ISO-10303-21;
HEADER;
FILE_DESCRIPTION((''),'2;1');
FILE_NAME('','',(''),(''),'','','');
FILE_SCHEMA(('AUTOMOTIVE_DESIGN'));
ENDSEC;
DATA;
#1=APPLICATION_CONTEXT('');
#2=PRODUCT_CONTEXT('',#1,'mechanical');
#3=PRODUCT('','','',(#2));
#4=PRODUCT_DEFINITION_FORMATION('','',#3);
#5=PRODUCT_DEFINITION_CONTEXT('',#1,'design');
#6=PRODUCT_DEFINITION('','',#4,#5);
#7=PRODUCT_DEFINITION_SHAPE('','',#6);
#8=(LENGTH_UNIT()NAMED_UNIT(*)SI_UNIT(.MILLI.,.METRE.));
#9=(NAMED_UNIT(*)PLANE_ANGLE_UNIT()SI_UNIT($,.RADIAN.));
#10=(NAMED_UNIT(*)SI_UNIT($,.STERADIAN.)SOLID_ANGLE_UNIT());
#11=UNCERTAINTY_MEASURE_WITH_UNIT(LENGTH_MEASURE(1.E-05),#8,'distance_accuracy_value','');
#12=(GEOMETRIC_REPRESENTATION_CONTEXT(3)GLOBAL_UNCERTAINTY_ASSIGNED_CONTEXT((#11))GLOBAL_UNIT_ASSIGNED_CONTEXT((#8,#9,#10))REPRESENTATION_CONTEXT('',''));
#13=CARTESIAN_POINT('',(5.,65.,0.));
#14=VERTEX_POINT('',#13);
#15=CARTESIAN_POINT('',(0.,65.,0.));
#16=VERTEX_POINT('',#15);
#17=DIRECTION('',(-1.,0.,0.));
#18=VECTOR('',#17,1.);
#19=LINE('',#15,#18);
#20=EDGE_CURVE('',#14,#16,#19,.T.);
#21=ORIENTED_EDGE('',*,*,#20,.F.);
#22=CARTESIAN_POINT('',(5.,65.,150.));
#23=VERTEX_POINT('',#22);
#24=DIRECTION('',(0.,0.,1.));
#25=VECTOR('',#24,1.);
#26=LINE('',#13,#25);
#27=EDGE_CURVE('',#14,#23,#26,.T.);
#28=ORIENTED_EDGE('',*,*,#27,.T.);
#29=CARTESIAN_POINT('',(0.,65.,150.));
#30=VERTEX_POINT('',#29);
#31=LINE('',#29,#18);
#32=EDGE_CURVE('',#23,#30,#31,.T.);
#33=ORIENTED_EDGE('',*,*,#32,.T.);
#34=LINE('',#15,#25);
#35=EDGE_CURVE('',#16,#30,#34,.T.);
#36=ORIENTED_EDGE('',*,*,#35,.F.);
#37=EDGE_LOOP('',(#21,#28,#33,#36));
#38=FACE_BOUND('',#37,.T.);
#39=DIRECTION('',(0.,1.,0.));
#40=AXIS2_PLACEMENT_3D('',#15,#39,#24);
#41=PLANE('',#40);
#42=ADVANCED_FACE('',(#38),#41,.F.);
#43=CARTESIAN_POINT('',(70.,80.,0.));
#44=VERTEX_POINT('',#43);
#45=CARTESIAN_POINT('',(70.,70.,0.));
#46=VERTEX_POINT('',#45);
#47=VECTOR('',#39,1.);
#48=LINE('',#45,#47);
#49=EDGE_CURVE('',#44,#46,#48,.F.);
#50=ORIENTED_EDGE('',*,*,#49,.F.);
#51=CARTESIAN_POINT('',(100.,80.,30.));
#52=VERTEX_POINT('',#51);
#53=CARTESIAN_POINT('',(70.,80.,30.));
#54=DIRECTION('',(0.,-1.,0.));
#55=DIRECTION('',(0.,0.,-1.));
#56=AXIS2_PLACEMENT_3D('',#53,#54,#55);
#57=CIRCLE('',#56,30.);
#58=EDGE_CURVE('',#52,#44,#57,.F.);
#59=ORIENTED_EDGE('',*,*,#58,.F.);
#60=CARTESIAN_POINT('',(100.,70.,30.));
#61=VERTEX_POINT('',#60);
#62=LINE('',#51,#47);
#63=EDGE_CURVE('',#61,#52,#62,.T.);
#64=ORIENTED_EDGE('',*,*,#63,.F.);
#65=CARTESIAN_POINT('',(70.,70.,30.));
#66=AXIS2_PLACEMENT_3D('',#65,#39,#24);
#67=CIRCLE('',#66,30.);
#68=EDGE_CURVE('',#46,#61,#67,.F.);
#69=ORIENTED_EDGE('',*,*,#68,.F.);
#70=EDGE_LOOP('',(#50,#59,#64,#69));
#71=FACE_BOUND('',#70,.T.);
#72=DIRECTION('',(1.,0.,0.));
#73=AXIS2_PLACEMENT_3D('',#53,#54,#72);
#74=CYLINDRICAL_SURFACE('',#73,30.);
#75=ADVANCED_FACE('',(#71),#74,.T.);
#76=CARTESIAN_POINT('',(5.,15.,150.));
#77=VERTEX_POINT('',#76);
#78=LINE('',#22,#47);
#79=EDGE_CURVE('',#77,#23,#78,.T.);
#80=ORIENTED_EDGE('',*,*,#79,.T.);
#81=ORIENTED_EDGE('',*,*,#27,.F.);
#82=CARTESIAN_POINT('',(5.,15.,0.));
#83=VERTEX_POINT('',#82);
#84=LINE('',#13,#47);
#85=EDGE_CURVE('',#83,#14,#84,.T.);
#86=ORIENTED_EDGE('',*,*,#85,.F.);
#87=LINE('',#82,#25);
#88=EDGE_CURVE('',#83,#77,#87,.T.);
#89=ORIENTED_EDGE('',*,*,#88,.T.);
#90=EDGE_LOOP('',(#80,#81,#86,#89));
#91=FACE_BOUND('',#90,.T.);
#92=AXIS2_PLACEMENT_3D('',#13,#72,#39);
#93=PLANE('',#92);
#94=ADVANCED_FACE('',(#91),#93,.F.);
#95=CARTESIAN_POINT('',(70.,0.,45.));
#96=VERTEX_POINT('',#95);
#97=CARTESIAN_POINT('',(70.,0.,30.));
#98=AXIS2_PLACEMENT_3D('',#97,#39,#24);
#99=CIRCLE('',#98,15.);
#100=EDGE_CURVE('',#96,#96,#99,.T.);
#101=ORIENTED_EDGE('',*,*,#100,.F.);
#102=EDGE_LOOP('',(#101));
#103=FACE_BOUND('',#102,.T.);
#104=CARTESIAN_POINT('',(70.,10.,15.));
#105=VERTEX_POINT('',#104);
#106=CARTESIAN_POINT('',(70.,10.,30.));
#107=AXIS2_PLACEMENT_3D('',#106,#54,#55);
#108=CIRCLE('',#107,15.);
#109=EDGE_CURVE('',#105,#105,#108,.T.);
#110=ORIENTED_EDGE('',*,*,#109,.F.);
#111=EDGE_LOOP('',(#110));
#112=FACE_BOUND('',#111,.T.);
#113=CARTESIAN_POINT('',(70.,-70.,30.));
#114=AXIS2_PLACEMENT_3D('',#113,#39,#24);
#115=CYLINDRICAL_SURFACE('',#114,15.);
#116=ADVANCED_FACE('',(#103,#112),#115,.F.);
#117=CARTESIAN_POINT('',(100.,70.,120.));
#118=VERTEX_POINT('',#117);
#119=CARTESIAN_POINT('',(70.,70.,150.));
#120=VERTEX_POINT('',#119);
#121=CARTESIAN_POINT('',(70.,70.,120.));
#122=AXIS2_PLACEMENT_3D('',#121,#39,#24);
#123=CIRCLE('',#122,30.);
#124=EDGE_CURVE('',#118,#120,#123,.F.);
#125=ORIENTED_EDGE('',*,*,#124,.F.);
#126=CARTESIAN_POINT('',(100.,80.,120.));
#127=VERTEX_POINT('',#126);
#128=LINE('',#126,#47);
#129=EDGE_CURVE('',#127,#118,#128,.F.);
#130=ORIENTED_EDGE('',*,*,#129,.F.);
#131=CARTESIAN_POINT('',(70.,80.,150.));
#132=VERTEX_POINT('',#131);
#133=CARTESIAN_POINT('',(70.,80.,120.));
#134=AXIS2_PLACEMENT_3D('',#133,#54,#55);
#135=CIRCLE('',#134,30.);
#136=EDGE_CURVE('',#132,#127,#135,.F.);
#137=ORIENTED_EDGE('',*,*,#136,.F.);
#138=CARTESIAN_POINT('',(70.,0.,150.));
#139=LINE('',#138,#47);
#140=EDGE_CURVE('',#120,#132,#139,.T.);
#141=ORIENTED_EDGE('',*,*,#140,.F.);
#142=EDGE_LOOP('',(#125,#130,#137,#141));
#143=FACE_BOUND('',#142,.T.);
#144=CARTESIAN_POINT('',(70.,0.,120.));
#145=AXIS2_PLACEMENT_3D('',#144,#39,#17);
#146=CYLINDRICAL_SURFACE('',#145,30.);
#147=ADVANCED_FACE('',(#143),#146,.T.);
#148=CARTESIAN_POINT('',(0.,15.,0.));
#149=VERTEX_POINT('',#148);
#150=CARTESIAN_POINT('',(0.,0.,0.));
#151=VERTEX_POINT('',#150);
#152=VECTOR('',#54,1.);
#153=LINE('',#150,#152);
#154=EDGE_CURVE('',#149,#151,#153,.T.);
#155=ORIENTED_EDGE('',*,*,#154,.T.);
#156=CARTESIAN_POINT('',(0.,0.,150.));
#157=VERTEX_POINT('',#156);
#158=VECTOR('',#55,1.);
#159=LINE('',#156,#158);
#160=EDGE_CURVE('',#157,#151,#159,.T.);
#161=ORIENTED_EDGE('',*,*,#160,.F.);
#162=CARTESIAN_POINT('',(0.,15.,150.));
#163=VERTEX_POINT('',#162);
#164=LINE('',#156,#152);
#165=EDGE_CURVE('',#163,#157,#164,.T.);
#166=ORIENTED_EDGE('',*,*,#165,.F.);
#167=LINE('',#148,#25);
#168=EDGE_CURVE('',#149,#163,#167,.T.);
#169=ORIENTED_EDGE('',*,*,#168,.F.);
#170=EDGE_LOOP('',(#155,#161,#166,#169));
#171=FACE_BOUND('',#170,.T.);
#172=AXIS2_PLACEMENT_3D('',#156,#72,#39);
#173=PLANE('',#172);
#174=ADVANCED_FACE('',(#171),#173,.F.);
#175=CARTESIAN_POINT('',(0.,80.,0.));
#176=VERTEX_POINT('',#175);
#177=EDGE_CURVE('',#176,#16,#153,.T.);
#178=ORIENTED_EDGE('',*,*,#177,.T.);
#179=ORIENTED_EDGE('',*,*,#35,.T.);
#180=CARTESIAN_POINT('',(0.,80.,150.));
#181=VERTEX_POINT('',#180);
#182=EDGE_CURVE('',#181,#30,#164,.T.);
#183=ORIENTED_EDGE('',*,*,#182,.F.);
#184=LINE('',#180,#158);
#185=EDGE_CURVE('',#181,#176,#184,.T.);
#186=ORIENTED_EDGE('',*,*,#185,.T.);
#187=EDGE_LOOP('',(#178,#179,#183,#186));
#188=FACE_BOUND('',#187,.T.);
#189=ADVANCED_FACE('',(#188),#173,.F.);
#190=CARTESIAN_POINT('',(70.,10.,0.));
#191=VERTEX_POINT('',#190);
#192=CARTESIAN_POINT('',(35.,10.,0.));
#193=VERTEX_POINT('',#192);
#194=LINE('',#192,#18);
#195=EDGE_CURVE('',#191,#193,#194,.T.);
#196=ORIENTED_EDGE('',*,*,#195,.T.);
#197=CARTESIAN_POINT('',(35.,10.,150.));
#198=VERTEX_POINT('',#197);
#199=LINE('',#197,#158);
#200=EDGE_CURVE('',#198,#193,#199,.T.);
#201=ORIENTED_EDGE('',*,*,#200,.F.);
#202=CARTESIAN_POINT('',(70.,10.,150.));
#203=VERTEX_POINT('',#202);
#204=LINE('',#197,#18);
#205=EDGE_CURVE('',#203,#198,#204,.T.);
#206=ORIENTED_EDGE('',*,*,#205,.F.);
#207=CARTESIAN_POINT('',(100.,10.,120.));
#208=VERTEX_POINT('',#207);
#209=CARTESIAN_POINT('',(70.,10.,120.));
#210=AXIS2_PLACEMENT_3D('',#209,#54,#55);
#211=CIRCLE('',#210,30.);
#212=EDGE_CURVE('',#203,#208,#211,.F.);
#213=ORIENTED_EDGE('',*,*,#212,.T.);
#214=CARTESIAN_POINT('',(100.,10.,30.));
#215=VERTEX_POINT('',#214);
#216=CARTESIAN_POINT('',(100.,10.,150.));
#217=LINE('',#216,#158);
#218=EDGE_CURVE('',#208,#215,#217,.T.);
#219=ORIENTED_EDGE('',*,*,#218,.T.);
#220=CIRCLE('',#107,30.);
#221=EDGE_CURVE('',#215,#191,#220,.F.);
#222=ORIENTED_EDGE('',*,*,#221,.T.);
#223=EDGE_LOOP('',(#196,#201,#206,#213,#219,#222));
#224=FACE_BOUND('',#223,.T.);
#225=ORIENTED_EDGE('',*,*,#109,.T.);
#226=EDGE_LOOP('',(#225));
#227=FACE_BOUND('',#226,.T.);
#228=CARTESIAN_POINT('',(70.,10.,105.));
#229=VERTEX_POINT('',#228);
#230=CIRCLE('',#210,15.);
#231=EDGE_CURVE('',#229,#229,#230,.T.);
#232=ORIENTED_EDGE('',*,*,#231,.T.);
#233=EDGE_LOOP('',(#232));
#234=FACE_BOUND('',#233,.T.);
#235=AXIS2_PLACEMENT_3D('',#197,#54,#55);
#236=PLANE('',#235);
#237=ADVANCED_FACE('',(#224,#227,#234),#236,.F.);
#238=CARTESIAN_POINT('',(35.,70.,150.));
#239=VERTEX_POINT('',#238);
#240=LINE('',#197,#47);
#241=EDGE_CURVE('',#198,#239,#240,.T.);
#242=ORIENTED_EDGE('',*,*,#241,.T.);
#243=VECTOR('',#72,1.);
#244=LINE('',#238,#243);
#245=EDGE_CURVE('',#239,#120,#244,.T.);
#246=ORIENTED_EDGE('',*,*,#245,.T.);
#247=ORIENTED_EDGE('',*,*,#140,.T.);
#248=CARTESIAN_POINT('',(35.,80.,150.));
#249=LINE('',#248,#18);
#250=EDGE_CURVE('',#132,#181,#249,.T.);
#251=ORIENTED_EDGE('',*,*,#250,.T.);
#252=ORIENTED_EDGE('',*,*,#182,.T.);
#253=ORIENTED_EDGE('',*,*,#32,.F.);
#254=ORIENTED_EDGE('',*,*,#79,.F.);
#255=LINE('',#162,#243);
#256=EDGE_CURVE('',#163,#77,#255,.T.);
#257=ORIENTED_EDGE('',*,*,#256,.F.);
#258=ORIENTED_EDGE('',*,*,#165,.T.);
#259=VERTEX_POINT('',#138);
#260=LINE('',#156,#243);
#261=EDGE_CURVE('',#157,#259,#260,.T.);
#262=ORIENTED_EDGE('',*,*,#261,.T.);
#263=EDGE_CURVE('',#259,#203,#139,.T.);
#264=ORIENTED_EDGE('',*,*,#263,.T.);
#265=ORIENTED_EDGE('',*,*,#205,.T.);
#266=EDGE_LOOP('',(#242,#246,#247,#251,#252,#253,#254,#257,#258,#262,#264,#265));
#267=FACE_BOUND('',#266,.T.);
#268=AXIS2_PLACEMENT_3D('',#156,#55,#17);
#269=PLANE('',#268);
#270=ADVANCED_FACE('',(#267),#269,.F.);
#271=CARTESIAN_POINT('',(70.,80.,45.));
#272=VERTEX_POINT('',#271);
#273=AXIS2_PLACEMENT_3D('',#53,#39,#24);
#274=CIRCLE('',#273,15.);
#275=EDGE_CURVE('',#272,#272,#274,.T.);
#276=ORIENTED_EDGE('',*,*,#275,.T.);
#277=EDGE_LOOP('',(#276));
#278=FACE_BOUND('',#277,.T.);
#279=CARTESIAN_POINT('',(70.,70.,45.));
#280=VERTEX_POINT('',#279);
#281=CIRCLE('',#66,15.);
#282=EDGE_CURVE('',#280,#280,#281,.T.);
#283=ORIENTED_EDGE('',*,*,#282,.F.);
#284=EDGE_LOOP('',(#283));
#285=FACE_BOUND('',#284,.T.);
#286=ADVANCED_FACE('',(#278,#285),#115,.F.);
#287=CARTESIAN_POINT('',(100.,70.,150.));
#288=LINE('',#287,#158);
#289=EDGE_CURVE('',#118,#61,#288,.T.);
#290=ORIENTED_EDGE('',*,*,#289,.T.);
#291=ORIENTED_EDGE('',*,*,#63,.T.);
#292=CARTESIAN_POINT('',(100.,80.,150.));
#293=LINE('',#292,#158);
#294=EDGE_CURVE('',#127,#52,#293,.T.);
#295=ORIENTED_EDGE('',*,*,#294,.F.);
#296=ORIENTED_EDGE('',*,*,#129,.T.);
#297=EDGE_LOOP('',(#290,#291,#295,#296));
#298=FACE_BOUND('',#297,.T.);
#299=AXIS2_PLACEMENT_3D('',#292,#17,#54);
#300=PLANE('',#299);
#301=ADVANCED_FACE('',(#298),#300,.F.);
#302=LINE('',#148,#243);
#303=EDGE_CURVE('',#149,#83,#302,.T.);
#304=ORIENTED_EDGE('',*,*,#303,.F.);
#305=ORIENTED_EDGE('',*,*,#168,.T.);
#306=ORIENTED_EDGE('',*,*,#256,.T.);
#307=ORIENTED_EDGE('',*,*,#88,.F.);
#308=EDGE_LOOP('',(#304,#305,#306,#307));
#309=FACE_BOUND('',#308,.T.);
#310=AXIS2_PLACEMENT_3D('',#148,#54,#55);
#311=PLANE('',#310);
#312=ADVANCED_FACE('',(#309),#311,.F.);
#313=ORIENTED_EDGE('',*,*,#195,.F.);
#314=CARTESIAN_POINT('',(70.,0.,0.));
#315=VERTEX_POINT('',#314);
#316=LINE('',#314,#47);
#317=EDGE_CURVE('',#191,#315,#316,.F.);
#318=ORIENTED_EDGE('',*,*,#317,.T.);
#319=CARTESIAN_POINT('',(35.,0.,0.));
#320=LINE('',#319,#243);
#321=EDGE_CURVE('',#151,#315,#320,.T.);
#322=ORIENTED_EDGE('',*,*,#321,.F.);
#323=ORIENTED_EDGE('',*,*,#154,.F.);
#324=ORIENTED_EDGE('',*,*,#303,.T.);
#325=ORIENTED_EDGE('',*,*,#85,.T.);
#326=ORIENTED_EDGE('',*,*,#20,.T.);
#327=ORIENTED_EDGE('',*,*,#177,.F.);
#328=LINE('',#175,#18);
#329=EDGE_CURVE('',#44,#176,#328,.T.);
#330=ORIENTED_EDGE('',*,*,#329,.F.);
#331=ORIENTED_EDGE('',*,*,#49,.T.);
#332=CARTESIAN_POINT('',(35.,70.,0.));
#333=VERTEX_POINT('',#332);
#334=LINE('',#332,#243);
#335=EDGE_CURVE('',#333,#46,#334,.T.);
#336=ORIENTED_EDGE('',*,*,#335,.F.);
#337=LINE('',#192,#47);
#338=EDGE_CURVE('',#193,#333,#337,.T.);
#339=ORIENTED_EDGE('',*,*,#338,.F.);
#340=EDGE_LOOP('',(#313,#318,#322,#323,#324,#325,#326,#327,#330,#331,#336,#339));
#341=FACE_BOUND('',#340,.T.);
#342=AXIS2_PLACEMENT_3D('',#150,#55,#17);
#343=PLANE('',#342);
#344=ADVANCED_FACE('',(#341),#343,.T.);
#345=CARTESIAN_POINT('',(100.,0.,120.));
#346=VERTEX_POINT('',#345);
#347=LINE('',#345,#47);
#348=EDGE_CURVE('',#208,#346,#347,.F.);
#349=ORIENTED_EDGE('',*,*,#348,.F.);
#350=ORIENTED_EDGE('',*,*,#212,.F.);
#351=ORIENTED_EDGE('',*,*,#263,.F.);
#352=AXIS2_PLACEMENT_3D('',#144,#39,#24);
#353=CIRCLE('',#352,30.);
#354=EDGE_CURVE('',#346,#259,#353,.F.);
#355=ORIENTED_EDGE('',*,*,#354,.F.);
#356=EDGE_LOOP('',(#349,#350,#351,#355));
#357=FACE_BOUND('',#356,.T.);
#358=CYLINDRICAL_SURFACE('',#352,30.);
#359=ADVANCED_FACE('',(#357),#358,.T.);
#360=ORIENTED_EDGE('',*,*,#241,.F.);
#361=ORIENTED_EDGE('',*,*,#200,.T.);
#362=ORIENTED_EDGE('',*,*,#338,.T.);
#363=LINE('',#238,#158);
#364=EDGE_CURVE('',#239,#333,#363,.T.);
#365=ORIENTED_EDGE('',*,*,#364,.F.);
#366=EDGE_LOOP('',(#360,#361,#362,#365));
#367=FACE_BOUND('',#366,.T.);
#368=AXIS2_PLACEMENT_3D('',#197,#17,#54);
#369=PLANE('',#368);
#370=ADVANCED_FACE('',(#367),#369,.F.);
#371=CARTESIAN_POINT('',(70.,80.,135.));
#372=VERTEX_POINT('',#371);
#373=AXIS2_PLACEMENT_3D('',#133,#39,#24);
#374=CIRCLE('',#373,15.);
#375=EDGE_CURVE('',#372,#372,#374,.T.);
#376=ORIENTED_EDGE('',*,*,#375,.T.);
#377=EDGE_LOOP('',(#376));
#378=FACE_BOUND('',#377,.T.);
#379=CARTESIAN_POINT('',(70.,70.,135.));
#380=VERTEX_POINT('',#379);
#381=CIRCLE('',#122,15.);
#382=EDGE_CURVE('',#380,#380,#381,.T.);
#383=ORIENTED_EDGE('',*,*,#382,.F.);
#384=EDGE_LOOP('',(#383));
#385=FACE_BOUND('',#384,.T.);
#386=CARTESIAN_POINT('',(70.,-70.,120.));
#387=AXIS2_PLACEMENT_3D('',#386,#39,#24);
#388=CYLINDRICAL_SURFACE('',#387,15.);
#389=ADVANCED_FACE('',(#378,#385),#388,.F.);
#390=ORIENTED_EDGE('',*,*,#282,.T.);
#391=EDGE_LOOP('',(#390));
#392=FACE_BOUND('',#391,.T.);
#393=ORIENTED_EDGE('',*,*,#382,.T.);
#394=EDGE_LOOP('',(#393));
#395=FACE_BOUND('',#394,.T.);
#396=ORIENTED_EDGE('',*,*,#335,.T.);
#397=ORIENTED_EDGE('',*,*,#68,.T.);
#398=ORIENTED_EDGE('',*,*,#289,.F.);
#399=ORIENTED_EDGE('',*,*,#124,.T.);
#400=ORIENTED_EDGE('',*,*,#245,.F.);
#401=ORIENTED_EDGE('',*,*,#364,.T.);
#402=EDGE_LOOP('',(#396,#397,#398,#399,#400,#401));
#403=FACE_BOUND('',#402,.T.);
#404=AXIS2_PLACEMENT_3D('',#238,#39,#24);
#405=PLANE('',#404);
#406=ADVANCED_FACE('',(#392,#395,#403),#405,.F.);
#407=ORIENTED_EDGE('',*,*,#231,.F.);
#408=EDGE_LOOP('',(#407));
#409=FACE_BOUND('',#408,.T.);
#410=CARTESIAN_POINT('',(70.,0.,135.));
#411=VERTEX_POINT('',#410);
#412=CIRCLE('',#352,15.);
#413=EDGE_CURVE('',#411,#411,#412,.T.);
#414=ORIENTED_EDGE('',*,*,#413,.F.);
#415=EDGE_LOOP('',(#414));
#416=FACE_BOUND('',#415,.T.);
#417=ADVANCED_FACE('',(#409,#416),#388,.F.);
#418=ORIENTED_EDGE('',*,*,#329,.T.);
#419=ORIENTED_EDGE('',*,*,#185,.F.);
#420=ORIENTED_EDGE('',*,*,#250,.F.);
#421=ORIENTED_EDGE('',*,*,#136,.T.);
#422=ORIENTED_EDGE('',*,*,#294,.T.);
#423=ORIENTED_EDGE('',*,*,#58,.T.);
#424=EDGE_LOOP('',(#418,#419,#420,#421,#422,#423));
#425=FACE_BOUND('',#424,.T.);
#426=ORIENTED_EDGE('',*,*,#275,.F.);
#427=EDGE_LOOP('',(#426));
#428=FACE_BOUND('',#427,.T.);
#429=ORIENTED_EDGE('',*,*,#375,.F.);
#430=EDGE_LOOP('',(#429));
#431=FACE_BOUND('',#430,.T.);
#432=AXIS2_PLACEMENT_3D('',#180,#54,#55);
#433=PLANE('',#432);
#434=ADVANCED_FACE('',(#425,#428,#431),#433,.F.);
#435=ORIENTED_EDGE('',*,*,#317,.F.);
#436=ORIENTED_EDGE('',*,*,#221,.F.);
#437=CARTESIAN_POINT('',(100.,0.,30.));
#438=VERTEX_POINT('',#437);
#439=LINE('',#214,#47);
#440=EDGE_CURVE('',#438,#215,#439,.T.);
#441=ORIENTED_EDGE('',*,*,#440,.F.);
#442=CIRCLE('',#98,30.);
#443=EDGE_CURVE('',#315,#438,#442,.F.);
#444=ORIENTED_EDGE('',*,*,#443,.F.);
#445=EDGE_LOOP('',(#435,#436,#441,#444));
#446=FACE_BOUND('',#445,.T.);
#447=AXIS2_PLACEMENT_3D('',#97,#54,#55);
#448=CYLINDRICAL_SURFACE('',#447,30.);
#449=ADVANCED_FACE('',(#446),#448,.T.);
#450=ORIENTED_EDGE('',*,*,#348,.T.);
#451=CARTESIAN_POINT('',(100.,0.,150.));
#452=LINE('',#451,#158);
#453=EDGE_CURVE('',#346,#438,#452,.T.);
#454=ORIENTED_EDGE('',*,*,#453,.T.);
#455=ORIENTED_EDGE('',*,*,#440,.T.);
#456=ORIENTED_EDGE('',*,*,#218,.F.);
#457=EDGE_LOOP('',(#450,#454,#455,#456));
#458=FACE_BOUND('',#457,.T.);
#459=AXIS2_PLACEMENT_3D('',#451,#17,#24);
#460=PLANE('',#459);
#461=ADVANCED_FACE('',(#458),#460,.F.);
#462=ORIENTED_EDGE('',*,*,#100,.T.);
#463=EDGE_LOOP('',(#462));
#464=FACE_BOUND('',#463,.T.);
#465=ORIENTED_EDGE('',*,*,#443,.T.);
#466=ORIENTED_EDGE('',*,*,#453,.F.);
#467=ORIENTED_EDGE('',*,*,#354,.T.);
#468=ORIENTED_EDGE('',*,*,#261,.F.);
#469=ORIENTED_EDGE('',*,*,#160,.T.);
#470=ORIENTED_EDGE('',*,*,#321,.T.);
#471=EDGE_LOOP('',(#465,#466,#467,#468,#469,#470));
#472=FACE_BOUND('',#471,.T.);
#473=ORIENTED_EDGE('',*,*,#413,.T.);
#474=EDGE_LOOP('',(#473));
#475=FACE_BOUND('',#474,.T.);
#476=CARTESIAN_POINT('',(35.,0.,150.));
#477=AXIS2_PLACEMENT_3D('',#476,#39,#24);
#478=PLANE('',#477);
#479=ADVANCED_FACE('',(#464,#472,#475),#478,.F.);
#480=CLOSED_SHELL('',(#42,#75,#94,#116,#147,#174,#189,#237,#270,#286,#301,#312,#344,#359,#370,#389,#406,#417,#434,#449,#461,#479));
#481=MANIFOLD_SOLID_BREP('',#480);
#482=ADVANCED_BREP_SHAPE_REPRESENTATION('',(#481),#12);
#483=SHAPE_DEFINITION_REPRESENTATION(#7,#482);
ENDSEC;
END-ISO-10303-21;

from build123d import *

# Parameters (mm, degrees)
BOSS_EXTRUDE1_DEPTH = 150
SKETCH2_W           = 5
SKETCH2_H           = 50
CUT_EXTRUDE1_DEPTH  = 150
SKETCH3_R           = 15
CUT_EXTRUDE2_DEPTH  = 150
FILLET1_R           = 30


with BuildPart() as part:
    # Sketch1 → Boss-Extrude1 (new body)
    with BuildSketch(Plane.XY):
        Polygon((0, 0), (35, 0), (100, 0), (100, 10), (35, 10), (35, 70), (100, 70), (100, 80), (35, 80), (0, 80), align=None)
    extrude(amount=BOSS_EXTRUDE1_DEPTH)

    # Sketch2 → Cut-Extrude1 (cut)
    with BuildSketch(Plane.XY.offset(150)):
        with Locations((2.5, 40)):
            Rectangle(SKETCH2_W, SKETCH2_H)
    extrude(amount=-CUT_EXTRUDE1_DEPTH, mode=Mode.SUBTRACT)

    # Sketch3 → Cut-Extrude2 (cut)
    with BuildSketch(Plane(origin=(0, 80, 0), x_dir=(1, 0, 0), z_dir=(0, 1, 0))):
        with Locations(Location((70, -30, 0), (0, 0, 270))):
            Circle(SKETCH3_R)
        with Locations(Location((70, -120, 0), (0, 0, 270))):
            Circle(SKETCH3_R)
    extrude(amount=-CUT_EXTRUDE2_DEPTH, mode=Mode.SUBTRACT)

    # Fillet1
    fillet1_edges = [part.edges().sort_by_distance(p)[0] for p in [
        (100, 75, 0),
        (100, 5, 0),
        (100, 5, 150),
        (100, 75, 150),
    ]]
    fillet(fillet1_edges, radius=FILLET1_R)


solid = part.part
